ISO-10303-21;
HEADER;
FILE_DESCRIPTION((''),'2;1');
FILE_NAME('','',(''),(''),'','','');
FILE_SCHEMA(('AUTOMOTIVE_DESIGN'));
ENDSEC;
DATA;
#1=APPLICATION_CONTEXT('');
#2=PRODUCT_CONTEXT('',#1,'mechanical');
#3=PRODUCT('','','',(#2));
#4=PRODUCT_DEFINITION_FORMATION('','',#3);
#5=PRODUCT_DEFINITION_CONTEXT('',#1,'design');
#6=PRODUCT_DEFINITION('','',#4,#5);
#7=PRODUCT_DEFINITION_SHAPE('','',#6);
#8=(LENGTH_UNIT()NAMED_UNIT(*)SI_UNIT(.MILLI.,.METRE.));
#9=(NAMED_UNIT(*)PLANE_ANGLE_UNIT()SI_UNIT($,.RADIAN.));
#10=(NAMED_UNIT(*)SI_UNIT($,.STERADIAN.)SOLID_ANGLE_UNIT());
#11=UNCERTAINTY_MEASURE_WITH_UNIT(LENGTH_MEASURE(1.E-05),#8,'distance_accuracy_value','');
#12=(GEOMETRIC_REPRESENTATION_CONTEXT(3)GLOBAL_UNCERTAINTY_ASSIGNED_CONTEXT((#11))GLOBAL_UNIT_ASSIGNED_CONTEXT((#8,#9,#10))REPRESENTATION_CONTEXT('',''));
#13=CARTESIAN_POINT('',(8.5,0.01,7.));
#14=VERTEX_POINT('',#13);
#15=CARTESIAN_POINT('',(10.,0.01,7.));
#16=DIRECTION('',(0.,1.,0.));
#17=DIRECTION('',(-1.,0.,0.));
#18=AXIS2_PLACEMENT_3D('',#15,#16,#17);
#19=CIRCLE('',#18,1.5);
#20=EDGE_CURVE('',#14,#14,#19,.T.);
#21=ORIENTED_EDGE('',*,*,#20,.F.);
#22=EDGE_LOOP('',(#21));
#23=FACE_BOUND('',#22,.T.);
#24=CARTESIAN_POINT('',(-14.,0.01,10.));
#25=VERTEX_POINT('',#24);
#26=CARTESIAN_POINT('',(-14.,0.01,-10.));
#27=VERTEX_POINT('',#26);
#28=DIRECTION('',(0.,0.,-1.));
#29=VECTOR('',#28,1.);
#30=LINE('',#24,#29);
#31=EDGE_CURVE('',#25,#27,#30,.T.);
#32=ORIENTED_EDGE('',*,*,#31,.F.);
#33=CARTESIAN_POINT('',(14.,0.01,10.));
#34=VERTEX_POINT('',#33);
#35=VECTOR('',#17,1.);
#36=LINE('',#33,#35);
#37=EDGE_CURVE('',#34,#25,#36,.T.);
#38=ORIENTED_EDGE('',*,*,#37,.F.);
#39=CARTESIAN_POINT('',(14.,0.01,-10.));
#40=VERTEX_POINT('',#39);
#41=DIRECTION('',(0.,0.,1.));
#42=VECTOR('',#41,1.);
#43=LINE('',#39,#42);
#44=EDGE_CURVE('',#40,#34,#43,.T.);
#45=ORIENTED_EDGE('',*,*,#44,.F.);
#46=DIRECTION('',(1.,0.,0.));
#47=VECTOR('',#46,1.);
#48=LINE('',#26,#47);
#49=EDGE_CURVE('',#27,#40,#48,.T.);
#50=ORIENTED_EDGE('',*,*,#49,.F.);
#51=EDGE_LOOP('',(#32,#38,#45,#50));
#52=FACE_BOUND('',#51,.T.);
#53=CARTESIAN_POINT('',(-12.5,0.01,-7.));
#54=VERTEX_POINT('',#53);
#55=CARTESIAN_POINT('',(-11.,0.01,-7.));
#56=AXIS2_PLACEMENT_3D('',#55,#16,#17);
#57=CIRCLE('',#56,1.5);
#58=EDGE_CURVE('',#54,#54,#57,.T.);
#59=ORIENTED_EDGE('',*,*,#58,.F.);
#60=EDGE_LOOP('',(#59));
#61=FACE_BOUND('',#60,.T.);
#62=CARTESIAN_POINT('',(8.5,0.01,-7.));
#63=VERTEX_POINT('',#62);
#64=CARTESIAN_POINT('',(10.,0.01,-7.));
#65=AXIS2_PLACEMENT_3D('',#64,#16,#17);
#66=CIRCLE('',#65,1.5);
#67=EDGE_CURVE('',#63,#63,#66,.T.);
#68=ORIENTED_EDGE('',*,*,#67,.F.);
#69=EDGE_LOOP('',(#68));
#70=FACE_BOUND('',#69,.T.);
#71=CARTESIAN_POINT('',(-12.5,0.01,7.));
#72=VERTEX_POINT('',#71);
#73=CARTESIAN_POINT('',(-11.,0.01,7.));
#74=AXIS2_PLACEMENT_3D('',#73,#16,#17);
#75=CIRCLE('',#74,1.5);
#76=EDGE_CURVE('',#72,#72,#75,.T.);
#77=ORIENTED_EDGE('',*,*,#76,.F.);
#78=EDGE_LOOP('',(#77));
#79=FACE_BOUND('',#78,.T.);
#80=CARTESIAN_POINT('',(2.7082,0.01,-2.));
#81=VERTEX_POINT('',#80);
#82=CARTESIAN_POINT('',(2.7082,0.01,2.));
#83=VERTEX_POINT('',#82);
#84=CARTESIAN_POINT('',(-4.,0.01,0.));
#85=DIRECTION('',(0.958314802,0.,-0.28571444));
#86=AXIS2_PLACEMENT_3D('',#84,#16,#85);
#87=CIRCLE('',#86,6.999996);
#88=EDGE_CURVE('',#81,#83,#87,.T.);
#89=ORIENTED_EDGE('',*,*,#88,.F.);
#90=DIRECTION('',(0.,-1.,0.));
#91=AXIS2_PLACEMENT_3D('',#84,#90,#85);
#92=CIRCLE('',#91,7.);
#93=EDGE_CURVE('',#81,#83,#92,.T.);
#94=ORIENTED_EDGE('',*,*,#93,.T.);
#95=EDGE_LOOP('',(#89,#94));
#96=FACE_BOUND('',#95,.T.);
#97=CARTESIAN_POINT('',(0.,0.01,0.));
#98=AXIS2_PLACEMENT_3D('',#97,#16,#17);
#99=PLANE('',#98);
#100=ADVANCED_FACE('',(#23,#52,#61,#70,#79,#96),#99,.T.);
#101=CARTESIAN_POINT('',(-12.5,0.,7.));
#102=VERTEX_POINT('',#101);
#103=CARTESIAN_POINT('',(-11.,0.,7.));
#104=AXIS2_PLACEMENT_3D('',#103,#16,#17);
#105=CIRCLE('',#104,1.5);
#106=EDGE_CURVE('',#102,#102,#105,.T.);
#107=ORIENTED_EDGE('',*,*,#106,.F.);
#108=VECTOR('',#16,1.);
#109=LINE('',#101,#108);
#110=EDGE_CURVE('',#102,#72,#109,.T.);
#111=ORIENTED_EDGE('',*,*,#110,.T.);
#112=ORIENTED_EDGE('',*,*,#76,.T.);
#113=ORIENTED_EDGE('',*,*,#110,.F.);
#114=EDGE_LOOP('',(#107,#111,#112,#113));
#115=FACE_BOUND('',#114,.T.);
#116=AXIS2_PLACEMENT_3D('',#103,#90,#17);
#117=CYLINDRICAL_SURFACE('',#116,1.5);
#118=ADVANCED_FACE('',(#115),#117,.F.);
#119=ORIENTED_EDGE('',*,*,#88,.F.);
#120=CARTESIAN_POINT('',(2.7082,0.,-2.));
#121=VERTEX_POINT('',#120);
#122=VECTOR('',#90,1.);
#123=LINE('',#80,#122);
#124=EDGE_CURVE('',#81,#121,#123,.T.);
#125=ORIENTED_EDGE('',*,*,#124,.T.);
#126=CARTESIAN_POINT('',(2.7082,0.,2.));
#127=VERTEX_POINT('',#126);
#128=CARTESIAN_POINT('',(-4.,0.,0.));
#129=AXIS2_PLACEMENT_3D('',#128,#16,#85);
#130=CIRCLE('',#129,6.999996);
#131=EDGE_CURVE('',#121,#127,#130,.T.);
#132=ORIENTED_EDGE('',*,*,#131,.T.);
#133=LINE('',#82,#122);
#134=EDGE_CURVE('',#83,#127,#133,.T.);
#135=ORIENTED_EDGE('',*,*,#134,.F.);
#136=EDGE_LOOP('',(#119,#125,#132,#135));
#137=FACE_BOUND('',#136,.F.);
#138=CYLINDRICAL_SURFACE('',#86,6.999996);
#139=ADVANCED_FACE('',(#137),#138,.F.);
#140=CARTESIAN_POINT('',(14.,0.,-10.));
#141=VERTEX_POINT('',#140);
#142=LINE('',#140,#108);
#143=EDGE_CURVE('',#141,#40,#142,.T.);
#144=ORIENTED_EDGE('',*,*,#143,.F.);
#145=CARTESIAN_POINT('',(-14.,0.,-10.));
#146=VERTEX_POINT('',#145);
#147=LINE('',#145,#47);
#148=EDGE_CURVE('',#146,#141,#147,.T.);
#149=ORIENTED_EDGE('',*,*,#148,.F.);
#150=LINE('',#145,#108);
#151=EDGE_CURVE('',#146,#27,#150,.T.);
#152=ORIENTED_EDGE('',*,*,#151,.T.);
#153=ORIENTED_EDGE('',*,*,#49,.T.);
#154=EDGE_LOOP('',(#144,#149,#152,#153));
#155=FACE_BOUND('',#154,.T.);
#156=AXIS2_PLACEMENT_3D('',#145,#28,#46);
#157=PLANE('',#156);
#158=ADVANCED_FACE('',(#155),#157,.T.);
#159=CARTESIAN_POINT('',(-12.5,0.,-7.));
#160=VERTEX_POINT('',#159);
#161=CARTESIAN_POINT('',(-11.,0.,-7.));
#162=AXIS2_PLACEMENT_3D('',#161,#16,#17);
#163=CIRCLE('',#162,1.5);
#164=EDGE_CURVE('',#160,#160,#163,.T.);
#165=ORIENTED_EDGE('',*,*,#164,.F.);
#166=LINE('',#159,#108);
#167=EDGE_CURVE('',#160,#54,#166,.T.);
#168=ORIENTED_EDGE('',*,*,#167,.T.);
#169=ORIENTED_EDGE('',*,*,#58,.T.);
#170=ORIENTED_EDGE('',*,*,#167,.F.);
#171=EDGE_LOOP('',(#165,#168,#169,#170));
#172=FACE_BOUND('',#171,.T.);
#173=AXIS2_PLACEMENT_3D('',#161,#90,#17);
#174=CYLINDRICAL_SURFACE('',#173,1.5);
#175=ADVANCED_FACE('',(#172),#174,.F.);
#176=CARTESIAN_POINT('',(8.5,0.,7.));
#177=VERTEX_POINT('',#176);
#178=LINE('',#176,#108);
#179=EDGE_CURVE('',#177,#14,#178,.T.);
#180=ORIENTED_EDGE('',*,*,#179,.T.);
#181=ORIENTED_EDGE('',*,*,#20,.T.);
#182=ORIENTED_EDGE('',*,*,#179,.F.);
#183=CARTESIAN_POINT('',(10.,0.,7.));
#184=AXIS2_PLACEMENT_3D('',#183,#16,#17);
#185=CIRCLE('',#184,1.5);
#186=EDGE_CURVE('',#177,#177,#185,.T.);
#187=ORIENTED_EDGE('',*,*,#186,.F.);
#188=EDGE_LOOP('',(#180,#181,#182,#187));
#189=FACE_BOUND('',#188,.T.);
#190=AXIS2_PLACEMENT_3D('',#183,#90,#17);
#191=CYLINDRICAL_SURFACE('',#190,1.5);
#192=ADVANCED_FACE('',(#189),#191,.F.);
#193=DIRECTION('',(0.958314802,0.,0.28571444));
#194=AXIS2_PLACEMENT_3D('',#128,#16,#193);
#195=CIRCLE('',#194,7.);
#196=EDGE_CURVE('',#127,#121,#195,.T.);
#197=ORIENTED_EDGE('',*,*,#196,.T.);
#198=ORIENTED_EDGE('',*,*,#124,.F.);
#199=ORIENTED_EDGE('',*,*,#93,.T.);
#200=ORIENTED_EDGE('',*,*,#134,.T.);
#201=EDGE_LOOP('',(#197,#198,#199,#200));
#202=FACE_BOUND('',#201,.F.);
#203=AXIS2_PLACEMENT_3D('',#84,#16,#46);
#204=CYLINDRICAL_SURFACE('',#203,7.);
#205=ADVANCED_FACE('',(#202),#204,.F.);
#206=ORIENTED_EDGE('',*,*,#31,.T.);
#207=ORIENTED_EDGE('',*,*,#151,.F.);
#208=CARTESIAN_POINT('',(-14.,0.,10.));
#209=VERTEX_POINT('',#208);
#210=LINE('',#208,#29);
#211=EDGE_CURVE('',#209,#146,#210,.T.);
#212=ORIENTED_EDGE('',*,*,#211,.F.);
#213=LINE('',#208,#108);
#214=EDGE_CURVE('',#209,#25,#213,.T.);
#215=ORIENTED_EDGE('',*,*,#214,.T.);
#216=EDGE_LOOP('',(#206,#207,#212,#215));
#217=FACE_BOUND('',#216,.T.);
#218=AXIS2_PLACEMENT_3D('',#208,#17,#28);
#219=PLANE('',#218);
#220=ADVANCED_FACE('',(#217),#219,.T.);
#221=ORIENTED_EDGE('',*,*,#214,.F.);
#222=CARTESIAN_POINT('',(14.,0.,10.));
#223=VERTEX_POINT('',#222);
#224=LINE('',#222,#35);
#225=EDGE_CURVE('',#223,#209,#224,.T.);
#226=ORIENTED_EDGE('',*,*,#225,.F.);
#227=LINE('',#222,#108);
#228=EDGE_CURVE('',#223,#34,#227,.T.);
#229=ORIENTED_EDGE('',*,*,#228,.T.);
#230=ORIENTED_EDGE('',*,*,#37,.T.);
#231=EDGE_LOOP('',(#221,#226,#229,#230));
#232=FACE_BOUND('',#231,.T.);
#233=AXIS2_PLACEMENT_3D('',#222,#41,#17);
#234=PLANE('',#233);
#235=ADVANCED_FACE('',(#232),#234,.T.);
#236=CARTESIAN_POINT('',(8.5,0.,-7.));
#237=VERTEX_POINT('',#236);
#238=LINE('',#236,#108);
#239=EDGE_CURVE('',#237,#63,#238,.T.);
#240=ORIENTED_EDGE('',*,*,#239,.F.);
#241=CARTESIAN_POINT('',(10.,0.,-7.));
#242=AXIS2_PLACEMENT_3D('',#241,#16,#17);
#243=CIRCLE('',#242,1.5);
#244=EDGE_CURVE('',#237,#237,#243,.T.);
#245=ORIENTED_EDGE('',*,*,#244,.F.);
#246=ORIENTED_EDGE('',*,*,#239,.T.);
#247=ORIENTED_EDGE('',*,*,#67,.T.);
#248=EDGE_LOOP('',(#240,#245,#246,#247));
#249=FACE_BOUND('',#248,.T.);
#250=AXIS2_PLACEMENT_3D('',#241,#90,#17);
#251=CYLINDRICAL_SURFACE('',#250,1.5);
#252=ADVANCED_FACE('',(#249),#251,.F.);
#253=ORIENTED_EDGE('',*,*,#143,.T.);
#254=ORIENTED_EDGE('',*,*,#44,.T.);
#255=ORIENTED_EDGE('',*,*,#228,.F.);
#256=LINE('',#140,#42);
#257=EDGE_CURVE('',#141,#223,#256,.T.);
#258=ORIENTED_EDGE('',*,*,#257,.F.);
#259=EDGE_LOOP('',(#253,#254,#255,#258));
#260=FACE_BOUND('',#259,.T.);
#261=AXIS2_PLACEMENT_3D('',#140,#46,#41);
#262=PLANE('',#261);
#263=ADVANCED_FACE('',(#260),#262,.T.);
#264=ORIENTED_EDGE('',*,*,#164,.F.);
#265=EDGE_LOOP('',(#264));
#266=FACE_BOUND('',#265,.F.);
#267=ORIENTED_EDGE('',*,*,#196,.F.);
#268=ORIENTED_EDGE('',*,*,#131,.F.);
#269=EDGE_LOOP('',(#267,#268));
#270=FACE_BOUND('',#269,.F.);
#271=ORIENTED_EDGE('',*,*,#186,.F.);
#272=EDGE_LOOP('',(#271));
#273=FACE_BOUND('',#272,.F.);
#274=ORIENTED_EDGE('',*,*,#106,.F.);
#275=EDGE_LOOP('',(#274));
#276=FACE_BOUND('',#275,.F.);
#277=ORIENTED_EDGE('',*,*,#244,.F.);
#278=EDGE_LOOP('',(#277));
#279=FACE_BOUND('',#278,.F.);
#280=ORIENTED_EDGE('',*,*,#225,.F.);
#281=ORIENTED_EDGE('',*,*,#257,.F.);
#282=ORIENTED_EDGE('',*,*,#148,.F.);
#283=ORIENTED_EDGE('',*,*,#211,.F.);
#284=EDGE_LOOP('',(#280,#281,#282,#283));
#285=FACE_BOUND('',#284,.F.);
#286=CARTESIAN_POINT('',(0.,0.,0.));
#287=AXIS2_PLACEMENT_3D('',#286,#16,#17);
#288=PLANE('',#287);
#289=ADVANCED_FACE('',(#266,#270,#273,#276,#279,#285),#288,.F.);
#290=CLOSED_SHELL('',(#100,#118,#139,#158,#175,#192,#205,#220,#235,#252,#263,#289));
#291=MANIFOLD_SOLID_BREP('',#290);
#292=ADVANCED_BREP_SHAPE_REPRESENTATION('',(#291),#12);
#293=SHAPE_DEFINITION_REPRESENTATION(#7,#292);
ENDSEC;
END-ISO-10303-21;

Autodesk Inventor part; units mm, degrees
ref_plane "YZ Plane" through (0, 0, 0) normal (1, 0, 0) x (0, 1, 0)
ref_plane "XZ Plane" through (0, 0, 0) normal (0, 1, 0) x (-1, 0, 0)
ref_plane "XY Plane" through (0, 0, 0) normal (0, 0, 1) x (1, 0, 0)
sketch "Sketch1" plane through (0, 0, 0) normal (0, 1, 0) x (-1, 0, 0)
  line L0 (-14, -10) -> (-14, 10)
  line L1 (-14, 10) -> (14, 10)
  line L2 (14, 10) -> (14, -10)
  line L3 (14, -10) -> (-14, -10)
  circle A0 centre (11, -7) radius 1.5
  circle A1 centre (-10, -7) radius 1.5
  circle A2 centre (-10, 7) radius 1.5
  circle A3 centre (11, 7) radius 1.5
  point P0 (0, 0)
  dimension "d0" = 28
  dimension "d1" = 20
  dimension "d6" = 3
  dimension "d7" = 3
extrude "Extrusion1" add sketch "Sketch1" along normal blind 0.01
sketch "Sketch2" plane through (0, 0.01, 0) normal (0, 1, 0) x (1, 0, 0)
  arc A0 (2.7082, 2) -> (2.7082, -2) centre (-4, 0) ccw projected
  circle A1 centre (-4, 0) radius 7
  point P0 (0, 0)
  point P1 (2.7082, -2)
  point P2 (2.7082, 2)
extrude "Extrusion2" cut sketch "Sketch2" against normal blind 0.5
properties part number "ZYLINDERKOPFDICHTUNG PART 4" material "Paper"
